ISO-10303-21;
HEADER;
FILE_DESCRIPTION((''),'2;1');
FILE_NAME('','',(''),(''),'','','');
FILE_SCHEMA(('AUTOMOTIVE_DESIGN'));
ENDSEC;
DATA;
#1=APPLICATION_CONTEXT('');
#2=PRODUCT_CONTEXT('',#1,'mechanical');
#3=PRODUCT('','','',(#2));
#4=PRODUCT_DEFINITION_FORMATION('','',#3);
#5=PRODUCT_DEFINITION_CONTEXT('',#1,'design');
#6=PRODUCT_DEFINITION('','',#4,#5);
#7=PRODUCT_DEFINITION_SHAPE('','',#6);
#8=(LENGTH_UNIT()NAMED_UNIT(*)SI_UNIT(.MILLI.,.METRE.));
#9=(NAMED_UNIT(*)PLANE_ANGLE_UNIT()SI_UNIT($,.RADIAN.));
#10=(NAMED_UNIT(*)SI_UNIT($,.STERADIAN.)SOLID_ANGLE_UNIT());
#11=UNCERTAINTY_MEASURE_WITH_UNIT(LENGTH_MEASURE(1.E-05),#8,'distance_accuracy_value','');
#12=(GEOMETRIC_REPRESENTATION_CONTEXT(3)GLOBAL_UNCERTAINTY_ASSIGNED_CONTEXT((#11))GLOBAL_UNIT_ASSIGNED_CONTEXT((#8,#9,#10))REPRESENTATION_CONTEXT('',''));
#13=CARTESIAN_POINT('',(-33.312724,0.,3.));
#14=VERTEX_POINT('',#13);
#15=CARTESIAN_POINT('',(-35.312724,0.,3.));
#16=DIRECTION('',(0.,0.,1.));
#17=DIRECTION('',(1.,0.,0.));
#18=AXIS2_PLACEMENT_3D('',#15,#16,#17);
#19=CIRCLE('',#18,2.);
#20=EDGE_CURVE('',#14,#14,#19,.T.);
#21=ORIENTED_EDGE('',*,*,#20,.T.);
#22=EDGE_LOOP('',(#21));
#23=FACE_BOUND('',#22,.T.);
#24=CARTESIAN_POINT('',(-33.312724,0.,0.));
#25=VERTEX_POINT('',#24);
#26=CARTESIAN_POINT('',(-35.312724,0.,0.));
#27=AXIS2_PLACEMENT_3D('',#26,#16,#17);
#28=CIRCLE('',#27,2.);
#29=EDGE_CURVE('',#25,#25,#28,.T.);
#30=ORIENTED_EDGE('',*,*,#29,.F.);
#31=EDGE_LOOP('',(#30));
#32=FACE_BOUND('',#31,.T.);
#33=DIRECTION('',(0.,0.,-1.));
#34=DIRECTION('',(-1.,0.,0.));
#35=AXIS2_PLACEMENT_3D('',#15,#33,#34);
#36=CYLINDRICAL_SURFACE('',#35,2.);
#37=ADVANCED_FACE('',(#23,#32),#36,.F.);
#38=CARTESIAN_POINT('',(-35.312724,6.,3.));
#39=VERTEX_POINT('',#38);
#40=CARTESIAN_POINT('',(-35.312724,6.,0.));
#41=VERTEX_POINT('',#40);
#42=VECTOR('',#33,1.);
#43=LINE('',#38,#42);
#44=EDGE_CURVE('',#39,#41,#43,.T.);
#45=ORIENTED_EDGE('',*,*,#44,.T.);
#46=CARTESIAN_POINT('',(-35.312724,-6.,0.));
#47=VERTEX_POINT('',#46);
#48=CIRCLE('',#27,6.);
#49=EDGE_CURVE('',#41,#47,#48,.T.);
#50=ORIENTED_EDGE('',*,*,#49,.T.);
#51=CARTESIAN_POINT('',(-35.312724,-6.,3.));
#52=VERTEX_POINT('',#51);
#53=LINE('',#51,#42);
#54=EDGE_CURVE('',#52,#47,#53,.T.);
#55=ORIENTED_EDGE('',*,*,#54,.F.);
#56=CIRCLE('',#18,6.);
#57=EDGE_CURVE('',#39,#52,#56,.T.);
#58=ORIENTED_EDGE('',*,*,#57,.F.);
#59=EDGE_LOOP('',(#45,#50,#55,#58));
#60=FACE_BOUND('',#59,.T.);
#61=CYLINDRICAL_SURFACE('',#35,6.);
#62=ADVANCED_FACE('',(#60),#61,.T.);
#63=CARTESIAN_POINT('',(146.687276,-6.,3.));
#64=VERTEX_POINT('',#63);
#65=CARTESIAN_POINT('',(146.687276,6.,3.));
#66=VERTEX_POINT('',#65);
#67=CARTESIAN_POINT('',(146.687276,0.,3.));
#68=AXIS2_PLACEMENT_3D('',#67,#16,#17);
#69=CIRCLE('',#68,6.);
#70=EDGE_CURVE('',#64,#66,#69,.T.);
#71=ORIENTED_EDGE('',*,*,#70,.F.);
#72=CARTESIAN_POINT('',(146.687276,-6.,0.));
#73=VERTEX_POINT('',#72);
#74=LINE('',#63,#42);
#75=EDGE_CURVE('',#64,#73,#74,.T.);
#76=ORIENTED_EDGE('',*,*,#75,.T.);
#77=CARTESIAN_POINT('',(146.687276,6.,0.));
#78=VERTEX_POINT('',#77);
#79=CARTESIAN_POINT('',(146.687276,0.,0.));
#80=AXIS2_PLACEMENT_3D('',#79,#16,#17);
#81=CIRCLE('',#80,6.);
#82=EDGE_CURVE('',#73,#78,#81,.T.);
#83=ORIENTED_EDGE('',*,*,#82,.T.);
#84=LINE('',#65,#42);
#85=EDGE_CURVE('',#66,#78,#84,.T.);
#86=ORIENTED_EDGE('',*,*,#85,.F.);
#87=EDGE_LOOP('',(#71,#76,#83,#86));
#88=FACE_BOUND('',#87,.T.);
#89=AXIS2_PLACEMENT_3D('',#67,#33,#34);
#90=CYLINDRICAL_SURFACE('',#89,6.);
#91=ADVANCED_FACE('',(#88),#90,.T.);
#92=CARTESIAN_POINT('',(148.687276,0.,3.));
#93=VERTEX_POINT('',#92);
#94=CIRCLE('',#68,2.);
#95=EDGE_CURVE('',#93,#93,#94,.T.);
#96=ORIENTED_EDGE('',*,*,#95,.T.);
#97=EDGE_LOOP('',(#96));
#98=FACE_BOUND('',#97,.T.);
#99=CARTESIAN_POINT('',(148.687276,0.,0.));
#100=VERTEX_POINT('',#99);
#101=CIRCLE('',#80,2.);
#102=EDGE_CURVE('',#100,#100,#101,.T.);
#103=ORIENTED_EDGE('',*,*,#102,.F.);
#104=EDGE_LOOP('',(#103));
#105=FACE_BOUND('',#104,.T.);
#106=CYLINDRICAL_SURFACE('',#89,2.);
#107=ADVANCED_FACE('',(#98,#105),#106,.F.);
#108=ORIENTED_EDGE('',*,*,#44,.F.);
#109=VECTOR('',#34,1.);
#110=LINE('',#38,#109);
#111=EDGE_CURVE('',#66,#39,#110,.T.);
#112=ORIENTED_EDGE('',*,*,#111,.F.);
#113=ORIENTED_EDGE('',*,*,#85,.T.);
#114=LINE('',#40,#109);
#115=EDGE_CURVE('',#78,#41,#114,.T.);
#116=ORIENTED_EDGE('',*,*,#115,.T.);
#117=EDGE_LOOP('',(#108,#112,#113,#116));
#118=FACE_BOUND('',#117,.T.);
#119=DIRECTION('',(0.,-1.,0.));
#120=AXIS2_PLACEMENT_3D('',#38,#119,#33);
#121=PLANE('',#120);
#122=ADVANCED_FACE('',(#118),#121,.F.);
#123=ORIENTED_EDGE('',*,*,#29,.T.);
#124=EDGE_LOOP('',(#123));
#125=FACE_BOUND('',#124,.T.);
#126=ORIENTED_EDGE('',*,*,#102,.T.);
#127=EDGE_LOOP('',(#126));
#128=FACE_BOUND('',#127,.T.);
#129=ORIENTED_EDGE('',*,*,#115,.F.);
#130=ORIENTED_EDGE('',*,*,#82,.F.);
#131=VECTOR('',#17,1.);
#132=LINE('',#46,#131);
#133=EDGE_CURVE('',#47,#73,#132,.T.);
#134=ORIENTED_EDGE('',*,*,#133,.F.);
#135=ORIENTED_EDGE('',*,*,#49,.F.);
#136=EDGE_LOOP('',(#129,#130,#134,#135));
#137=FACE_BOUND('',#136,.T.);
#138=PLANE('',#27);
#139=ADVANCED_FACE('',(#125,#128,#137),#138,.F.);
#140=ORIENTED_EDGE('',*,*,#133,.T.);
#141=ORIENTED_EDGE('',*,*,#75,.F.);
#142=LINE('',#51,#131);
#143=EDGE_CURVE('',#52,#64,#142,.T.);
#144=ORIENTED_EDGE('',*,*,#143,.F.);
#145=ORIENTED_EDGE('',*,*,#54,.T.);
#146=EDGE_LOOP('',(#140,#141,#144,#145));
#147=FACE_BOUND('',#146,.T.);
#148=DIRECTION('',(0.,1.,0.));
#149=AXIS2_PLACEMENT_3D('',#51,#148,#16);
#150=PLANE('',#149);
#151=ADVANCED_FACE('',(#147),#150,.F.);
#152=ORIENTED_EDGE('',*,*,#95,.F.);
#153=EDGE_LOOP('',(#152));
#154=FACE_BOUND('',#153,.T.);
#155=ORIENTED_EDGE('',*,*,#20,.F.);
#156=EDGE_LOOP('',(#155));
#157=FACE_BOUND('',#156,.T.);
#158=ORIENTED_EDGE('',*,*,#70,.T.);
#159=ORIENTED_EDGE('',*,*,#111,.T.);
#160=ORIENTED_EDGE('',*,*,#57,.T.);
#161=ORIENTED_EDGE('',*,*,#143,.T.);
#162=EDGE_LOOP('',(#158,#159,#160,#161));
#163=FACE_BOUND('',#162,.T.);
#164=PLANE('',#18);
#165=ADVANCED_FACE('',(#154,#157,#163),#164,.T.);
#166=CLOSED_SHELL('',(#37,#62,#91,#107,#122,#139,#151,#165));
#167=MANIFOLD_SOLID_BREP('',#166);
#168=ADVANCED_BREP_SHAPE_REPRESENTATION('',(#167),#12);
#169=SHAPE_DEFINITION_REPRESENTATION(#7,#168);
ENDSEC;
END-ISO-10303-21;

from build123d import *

# Parameters (mm, degrees)
SKETCH1_R           = 2
BOSS_EXTRUDE3_DEPTH = 3


with BuildPart() as part:
    # Sketch1 → Boss-Extrude3 (new body)
    with BuildSketch(Plane.XY):
        with BuildLine():
            Line((-35.312724167, 6), (146.687275833, 6))
            ThreePointArc((146.687275833, 6), (152.687275833, 0), (146.687275833, -6))
            Line((146.687275833, -6), (-35.312724167, -6))
            ThreePointArc((-35.312724167, -6), (-41.312724167, 0), (-35.312724167, 6))
        make_face()
        with Locations((-35.312724167, 0)):
            Circle(SKETCH1_R, mode=Mode.SUBTRACT)
        with Locations((146.687275833, 0)):
            Circle(SKETCH1_R, mode=Mode.SUBTRACT)
    extrude(amount=BOSS_EXTRUDE3_DEPTH)


solid = part.part
